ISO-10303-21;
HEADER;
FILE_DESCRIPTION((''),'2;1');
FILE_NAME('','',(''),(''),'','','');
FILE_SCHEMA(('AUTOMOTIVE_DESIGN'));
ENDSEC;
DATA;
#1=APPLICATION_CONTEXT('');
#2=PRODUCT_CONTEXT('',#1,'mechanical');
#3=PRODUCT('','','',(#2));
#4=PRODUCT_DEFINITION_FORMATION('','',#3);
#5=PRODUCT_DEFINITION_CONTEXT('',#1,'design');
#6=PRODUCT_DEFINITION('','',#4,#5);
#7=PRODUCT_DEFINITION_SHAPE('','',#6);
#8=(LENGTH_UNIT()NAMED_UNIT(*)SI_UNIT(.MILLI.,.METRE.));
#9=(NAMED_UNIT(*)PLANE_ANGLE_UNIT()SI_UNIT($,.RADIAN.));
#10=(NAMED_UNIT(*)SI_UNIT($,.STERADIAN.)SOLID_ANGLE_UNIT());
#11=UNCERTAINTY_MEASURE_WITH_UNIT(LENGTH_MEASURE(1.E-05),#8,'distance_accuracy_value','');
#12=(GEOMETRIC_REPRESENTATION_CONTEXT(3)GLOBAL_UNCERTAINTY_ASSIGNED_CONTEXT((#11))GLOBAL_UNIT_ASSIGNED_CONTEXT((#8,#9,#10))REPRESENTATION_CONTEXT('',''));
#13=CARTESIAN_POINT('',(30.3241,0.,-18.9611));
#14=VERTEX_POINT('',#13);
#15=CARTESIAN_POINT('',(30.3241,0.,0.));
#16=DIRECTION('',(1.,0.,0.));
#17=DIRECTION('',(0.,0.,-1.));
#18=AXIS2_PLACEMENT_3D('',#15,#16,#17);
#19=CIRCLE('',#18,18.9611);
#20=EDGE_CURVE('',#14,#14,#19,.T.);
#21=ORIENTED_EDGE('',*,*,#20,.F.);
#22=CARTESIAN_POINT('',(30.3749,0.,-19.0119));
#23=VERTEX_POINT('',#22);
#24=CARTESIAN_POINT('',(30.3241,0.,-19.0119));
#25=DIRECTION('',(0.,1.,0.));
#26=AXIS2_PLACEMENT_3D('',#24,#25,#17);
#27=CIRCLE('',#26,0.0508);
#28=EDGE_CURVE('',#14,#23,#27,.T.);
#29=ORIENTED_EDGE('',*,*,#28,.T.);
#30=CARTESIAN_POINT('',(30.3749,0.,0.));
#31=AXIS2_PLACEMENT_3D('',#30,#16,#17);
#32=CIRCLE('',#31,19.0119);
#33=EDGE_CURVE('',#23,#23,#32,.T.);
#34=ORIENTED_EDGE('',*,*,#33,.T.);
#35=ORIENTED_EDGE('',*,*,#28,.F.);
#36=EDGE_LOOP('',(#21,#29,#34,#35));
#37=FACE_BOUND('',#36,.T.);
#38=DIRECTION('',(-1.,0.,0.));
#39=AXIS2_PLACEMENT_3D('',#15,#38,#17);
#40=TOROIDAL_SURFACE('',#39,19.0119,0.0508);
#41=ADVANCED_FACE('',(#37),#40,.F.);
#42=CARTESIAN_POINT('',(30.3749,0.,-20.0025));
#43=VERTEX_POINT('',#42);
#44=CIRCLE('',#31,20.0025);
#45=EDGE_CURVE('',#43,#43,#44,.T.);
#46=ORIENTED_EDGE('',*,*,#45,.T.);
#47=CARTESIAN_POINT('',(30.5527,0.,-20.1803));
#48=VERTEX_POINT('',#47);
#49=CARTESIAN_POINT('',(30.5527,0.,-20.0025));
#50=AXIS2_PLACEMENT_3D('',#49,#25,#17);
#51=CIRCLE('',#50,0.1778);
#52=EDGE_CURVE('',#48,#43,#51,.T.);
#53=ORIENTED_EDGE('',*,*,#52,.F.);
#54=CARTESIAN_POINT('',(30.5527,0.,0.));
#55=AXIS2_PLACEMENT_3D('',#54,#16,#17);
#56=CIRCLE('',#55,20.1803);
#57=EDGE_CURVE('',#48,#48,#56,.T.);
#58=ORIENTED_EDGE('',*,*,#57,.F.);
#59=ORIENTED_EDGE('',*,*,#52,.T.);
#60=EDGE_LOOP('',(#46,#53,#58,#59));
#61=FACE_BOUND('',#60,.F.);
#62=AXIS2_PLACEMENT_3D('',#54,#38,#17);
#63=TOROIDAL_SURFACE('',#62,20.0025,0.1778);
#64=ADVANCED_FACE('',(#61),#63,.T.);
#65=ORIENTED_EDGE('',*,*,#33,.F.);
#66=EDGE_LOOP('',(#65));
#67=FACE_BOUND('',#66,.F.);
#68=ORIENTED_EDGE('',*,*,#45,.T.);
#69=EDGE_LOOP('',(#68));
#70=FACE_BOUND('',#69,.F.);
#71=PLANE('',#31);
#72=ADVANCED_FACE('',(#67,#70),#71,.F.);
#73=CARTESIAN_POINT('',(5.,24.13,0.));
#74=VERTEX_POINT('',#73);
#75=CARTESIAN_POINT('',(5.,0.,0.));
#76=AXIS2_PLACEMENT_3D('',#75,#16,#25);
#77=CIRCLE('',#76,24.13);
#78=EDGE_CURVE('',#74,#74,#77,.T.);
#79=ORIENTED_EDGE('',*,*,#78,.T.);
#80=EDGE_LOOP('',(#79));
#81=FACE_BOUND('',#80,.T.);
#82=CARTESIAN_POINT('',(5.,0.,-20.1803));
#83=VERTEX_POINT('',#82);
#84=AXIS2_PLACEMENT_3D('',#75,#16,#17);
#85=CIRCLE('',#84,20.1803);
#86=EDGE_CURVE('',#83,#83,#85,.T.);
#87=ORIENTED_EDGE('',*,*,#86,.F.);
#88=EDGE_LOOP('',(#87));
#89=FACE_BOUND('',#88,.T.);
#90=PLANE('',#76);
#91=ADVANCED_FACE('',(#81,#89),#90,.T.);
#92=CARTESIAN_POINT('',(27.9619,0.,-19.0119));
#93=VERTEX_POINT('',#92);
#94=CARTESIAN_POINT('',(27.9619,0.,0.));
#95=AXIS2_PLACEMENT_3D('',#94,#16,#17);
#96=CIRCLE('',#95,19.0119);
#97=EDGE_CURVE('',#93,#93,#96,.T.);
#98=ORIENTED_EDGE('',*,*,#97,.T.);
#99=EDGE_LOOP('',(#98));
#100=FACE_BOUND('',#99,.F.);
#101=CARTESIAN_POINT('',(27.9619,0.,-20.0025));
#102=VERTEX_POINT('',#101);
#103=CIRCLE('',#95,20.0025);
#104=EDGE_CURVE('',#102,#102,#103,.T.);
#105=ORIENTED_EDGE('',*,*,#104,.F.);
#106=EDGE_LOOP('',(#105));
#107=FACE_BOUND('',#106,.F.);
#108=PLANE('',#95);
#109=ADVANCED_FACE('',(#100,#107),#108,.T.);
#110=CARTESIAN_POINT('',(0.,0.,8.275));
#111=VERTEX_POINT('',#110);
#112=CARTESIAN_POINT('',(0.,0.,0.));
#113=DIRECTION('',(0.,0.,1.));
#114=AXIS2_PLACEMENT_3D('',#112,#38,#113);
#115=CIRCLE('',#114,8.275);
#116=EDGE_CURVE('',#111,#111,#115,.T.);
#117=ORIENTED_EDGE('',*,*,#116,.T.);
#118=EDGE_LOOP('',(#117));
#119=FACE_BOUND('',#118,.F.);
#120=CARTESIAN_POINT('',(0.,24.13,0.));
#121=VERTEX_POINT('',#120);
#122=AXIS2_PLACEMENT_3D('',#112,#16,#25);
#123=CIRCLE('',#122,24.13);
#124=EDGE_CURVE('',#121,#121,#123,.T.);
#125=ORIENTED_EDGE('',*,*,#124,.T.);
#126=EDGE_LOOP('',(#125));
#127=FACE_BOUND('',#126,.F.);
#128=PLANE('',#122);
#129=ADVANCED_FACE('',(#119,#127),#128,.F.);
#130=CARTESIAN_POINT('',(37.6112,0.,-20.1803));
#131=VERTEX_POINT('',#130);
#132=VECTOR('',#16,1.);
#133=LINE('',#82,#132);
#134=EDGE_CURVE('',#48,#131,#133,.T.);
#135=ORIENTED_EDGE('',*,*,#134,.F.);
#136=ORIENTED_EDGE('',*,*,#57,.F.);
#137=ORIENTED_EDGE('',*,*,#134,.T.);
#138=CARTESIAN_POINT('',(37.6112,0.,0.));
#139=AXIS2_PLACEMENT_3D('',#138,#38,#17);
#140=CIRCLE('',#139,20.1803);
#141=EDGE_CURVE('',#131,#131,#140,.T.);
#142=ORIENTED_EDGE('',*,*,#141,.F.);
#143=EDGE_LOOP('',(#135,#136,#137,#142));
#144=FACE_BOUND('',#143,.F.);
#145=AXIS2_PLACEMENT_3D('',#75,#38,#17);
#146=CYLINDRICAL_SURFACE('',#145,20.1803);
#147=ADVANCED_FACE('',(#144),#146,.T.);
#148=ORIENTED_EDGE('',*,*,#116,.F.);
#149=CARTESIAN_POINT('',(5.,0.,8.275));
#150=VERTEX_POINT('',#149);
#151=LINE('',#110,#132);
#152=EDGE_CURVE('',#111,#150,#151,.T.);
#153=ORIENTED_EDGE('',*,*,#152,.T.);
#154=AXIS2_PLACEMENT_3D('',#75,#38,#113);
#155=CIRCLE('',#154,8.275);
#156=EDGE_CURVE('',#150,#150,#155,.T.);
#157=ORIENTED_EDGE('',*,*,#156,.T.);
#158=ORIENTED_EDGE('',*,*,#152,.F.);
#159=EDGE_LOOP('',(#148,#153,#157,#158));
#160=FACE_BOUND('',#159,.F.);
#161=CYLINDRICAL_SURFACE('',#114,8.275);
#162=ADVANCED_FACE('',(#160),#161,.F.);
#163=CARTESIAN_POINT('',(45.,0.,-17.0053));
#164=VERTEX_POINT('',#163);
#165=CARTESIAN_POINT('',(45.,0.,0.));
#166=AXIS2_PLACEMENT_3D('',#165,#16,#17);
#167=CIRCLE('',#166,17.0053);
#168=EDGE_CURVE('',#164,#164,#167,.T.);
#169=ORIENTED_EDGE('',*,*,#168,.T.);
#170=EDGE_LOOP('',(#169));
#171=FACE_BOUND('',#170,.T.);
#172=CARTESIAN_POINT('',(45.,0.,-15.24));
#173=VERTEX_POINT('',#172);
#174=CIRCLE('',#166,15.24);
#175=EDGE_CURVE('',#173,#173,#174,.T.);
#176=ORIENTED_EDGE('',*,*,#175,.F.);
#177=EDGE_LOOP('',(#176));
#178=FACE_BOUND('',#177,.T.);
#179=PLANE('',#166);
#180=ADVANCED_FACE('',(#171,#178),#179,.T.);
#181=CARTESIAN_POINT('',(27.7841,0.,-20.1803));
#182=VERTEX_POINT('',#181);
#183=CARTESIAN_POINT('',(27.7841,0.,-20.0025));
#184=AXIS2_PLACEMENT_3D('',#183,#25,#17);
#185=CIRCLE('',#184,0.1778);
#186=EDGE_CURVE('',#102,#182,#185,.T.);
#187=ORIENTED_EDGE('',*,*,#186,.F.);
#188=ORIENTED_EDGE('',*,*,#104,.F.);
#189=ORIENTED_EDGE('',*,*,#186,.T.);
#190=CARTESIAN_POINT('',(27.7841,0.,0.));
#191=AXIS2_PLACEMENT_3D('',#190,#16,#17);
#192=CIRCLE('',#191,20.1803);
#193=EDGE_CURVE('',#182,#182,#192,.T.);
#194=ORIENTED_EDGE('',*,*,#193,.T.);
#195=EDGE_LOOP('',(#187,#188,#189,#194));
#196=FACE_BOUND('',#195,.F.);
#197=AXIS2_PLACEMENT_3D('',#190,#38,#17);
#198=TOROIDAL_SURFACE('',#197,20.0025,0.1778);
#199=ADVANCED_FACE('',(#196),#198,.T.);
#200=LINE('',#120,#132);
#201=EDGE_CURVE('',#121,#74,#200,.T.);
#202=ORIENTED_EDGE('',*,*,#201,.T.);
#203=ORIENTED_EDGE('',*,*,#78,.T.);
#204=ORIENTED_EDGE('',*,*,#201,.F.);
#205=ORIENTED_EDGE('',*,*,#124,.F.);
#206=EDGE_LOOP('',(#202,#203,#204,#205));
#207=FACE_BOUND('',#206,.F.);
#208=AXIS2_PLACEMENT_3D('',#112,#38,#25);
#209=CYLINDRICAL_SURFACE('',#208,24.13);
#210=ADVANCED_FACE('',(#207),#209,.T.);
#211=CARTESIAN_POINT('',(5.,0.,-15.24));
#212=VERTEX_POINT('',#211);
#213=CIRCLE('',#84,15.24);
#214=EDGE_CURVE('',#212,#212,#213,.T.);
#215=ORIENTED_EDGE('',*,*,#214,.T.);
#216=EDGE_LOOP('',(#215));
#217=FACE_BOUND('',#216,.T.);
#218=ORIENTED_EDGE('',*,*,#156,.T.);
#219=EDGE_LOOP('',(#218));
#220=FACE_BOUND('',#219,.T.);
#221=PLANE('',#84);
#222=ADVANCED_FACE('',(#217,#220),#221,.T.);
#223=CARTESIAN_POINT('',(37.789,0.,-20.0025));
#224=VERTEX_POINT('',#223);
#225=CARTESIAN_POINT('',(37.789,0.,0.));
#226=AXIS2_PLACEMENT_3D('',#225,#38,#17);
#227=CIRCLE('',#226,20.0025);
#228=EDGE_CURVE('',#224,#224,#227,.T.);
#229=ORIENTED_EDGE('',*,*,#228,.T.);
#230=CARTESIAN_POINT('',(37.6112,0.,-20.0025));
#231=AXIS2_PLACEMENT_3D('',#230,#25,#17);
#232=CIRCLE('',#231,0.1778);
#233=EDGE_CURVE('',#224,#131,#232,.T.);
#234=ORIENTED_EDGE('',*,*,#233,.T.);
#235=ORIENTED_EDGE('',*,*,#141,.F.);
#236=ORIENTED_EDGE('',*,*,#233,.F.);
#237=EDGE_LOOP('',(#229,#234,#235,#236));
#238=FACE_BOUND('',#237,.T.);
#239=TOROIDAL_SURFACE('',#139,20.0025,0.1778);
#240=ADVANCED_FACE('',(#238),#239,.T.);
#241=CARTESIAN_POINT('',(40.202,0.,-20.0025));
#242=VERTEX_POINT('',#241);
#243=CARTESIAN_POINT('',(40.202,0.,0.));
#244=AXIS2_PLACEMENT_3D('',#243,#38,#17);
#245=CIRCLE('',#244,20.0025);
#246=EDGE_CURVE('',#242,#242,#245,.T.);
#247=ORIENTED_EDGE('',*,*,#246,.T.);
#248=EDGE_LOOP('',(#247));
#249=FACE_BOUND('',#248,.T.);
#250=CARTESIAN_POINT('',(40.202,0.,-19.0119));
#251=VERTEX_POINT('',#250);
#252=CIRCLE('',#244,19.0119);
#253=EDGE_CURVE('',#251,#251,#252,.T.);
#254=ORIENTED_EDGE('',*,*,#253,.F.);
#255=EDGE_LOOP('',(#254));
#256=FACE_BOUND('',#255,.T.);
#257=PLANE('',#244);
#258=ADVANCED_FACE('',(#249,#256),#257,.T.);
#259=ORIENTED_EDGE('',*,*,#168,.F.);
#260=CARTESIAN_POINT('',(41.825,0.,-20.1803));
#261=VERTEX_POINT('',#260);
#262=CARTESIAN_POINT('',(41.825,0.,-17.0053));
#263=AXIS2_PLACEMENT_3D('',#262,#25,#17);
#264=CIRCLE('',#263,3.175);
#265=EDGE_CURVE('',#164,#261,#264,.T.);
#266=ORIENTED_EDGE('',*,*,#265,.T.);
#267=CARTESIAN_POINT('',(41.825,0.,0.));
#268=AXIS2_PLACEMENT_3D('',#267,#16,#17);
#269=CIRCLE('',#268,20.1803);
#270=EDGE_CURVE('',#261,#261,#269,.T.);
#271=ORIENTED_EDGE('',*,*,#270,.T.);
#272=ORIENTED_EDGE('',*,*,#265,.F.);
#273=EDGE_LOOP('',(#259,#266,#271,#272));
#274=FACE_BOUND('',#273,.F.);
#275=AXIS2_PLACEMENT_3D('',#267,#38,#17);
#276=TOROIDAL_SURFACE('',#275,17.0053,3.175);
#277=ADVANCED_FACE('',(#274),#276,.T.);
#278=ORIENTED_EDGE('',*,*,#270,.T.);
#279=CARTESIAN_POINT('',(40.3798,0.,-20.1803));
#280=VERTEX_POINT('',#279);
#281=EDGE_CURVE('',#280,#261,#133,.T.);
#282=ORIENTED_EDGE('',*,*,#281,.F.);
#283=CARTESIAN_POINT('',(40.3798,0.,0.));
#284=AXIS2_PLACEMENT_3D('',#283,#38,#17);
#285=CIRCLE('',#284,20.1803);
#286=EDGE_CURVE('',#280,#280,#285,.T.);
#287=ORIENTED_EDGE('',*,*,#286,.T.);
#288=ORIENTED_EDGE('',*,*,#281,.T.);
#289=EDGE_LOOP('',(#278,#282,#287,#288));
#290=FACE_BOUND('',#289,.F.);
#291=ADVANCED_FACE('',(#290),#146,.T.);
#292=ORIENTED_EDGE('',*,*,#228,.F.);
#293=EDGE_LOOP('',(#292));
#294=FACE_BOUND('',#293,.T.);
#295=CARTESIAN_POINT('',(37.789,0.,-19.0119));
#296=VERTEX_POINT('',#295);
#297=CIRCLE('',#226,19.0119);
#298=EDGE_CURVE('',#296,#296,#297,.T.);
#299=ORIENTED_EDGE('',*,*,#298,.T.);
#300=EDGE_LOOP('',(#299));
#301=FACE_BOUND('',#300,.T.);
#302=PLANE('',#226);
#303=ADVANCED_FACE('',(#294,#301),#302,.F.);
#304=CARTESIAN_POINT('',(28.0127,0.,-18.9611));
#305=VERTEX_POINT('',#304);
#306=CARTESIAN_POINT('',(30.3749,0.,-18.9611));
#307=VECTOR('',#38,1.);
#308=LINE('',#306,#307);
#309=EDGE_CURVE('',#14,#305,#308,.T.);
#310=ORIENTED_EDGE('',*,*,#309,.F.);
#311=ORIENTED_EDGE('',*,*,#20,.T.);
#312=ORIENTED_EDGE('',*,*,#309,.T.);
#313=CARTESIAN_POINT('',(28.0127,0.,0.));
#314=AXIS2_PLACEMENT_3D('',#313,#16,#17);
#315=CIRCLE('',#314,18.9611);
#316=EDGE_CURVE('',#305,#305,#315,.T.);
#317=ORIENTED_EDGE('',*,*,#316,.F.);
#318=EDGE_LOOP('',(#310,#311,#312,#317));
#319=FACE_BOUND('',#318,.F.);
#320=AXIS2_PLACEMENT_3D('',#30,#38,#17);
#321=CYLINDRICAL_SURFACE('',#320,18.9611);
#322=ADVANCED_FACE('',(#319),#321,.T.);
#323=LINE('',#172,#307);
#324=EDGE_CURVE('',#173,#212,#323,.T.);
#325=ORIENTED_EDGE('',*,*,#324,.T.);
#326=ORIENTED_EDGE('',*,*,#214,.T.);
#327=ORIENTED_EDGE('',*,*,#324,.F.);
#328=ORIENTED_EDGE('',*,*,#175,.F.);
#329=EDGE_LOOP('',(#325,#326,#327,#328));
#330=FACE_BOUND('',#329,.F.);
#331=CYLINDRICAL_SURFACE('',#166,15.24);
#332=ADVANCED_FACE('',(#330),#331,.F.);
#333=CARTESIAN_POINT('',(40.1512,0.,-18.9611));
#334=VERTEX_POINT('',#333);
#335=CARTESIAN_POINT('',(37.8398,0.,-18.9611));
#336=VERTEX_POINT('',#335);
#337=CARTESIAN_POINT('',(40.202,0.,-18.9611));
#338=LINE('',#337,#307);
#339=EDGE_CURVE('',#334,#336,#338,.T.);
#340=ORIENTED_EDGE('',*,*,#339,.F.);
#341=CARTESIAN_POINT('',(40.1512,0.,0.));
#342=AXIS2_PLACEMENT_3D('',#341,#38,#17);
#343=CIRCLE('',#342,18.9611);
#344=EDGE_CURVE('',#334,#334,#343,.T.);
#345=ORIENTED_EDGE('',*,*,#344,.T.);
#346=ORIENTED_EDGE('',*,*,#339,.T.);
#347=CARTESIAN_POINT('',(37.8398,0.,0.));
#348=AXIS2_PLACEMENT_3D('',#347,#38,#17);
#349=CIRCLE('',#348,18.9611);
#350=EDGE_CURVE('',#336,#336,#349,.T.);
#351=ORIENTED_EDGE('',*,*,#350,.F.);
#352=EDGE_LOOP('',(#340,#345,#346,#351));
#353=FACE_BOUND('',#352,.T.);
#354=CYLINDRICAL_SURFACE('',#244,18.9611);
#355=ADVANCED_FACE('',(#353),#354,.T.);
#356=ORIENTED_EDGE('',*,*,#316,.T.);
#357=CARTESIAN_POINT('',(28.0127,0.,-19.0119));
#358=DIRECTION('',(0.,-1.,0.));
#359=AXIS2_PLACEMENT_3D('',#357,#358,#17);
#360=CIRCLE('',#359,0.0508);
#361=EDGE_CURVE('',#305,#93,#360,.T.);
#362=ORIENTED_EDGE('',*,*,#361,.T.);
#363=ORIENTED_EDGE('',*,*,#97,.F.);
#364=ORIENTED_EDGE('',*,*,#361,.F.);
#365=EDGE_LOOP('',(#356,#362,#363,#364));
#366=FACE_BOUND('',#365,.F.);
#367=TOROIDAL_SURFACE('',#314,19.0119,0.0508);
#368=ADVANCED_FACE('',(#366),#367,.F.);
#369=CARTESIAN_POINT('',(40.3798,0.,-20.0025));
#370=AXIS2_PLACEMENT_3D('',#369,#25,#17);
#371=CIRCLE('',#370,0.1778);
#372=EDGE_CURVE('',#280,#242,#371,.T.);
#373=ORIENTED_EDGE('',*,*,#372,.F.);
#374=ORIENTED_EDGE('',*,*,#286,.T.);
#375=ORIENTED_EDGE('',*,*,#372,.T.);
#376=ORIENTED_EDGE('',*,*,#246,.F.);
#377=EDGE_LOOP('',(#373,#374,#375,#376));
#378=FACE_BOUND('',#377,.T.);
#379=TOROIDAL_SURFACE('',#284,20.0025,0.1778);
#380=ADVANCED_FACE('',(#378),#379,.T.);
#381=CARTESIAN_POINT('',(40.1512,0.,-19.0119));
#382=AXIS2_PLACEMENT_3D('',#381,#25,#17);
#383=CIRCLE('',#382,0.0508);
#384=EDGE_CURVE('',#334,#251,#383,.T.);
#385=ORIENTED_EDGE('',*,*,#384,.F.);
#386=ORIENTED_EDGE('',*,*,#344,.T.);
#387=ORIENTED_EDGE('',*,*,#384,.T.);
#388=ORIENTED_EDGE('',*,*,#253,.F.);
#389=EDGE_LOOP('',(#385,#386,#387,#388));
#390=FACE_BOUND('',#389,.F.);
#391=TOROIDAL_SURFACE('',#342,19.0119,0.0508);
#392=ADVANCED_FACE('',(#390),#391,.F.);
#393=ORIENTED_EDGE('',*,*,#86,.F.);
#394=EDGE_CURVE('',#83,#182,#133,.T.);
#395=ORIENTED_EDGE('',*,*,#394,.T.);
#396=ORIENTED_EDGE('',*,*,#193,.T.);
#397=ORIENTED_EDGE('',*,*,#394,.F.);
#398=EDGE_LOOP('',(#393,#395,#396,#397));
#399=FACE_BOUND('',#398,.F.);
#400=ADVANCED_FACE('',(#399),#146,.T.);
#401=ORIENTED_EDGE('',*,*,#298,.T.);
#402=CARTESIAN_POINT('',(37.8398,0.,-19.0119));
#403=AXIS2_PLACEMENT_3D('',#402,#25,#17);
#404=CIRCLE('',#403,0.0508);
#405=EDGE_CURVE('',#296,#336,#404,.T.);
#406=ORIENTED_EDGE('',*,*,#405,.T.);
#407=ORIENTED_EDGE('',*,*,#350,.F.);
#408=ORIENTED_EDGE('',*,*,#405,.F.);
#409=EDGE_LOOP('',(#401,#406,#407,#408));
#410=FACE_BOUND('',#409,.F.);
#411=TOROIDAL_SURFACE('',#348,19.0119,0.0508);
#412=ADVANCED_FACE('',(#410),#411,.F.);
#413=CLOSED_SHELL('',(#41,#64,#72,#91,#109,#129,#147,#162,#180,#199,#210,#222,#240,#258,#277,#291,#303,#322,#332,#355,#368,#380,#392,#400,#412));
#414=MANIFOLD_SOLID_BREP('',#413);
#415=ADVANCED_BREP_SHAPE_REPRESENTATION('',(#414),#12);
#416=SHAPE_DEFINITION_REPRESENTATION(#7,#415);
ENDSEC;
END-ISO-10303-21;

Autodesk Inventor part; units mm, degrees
ref_plane "YZ Plane" through (0, 0, 0) normal (1, 0, 0) x (0, 1, 0)
ref_plane "XZ Plane" through (0, 0, 0) normal (0, 1, 0) x (-1, 0, 0)
ref_plane "XY Plane" through (0, 0, 0) normal (0, 0, 1) x (1, 0, 0)
sketch "Sketch1" plane through (0, 0, 0) normal (1, 0, 0) x (0, 1, 0)
  circle A0 centre (0, 0) radius 24.13
  dimension "d0" = 48.26
extrude "Extrusion1" add sketch "Sketch1" along normal blind 5
sketch "Sketch2" plane through (5, 0, 0) normal (1, 0, 0) x (0, 0, -1)
  circle A0 centre (0, 0) radius 20.1803
  dimension "d3" = 40.3606
extrude "Extrusion2" add sketch "Sketch2" along normal blind 40
sketch "Sketch3" plane through (45, 0, 0) normal (1, 0, 0) x (0, 0, -1)
  circle A0 centre (0, 0) radius 15.24
  dimension "d6" = 30.48
extrude "Extrusion3" cut sketch "Sketch3" against normal blind 40
sketch "Sketch4" plane through (0, 0, 0) normal (-1, 0, 0) x (0, 0, 1)
  circle A0 centre (0, 0) radius 8.275
  dimension "d9" = 16.55
extrude "Extrusion4" cut sketch "Sketch4" against normal blind 40
sketch "Sketch5" plane through (0, 0, 0) normal (0, 1, 0) x (-1, 0, 0)
  point P0 (0, 0)
sketch "Sketch6" plane through (0, 0, 0) normal (0, 1, 0) x (-1, 0, 0)
  line L0 (-30.2501, -20.1803) -> (-32.6631, -20.1803)
  line L1 (-5, -20.1803) -> (-45, -20.1803) projected
  line L2 (-32.6631, -20.1803) -> (-32.6631, -18.9611)
  line L3 (-32.6631, -18.9611) -> (-30.2501, -18.9611)
  line L4 (-30.2501, -18.9611) -> (-30.2501, -20.1803)
  line L5 (-32.6631, -18.9611) -> (-32.6631, 0)
  line L6 (-32.6631, 0) -> (-30.2501, 0)
  line L7 (-30.2501, -20.1803) -> (-32.6631, -20.1803)
  line L8 (-5, -20.1803) -> (-45, -20.1803) projected
  line L9 (-5, -20.1803) -> (-45, -20.1803) projected
  line L10 (-37.789, -20.1803) -> (-40.202, -20.1803)
  line L11 (-5, -20.1803) -> (-45, -20.1803) projected
  line L12 (-40.202, -20.1803) -> (-40.202, -18.9611)
  line L13 (-40.202, -18.9611) -> (-37.789, -18.9611)
  line L14 (-37.789, -18.9611) -> (-37.789, -20.1803)
  line L15 (-40.202, -18.9611) -> (-40.202, 0)
  line L16 (-40.202, 0) -> (-37.482, 0)
  line L17 (-40.202, -20.1803) -> (-37.789, -20.1803)
  point P0 (0, 0)
  dimension "d12" = 2.413
  dimension "d13" = 1.2192
  dimension "d14" = 2.413
  dimension "d15" = 2.413
  dimension "d16" = 1.2192
revolve "Revolution1" cut sketch "Sketch6" angle 360 about axis through (40.202, 0, 0) along (-1, 0, 0) contours L1 L12 L13 L14
sketch "Sketch7" plane through (0, 0, 0) normal (0, 1, 0) x (-1, 0, 0)
  line L0 (-5, -20.1803) -> (-37.789, -20.1803) projected
  line L1 (-27.9619, -20.1803) -> (-30.3749, -20.1803)
  line L2 (-30.3749, -20.1803) -> (-30.3749, -18.9611)
  line L3 (-30.3749, -18.9611) -> (-27.9619, -18.9611)
  line L4 (-27.9619, -18.9611) -> (-27.9619, -20.1803)
  line L5 (-30.3749, -18.9611) -> (-30.3749, 0)
  line L6 (-30.3749, 0) -> (-27.4344, 0)
  line L7 (7.5578, 0) -> (-45.3468, 0) projected
  point P0 (0, 0)
  dimension "d18" = 2.413
  dimension "d19" = 1.2192
revolve "Revolution2" cut sketch "Sketch7" angle 360 about axis through (0, 0, 0) along (1, 0, 0)
fillet "Fillet1" radius 3.175 1 edges at (45, 0, 20.1803)
fillet "Fillet2" radius 0.1778 1 edges at (40.202, 0, 20.1803)
fillet "Fillet3" radius 0.1778 1 edges at (37.789, 0, 20.1803)
fillet "Fillet4" radius 0.1778 1 edges at (30.3749, 0, 20.1803)
fillet "Fillet5" radius 0.1778 1 edges at (27.9619, 0, 20.1803)
fillet "Fillet6" radius 0.0508 1 edges at (30.3749, 0, 18.9611)
fillet "Fillet7" radius 0.0508 1 edges at (27.9619, 0, 18.9611)
fillet "Fillet8" radius 0.0508 1 edges at (37.789, 0, 18.9611)
fillet "Fillet9" radius 0.0508 1 edges at (40.202, 0, 18.9611)
thread "Thread2" size "M16x1.5" class "6H" standard "ISO Metric profile" length 20.1676
properties part number "PVCTOP3"
